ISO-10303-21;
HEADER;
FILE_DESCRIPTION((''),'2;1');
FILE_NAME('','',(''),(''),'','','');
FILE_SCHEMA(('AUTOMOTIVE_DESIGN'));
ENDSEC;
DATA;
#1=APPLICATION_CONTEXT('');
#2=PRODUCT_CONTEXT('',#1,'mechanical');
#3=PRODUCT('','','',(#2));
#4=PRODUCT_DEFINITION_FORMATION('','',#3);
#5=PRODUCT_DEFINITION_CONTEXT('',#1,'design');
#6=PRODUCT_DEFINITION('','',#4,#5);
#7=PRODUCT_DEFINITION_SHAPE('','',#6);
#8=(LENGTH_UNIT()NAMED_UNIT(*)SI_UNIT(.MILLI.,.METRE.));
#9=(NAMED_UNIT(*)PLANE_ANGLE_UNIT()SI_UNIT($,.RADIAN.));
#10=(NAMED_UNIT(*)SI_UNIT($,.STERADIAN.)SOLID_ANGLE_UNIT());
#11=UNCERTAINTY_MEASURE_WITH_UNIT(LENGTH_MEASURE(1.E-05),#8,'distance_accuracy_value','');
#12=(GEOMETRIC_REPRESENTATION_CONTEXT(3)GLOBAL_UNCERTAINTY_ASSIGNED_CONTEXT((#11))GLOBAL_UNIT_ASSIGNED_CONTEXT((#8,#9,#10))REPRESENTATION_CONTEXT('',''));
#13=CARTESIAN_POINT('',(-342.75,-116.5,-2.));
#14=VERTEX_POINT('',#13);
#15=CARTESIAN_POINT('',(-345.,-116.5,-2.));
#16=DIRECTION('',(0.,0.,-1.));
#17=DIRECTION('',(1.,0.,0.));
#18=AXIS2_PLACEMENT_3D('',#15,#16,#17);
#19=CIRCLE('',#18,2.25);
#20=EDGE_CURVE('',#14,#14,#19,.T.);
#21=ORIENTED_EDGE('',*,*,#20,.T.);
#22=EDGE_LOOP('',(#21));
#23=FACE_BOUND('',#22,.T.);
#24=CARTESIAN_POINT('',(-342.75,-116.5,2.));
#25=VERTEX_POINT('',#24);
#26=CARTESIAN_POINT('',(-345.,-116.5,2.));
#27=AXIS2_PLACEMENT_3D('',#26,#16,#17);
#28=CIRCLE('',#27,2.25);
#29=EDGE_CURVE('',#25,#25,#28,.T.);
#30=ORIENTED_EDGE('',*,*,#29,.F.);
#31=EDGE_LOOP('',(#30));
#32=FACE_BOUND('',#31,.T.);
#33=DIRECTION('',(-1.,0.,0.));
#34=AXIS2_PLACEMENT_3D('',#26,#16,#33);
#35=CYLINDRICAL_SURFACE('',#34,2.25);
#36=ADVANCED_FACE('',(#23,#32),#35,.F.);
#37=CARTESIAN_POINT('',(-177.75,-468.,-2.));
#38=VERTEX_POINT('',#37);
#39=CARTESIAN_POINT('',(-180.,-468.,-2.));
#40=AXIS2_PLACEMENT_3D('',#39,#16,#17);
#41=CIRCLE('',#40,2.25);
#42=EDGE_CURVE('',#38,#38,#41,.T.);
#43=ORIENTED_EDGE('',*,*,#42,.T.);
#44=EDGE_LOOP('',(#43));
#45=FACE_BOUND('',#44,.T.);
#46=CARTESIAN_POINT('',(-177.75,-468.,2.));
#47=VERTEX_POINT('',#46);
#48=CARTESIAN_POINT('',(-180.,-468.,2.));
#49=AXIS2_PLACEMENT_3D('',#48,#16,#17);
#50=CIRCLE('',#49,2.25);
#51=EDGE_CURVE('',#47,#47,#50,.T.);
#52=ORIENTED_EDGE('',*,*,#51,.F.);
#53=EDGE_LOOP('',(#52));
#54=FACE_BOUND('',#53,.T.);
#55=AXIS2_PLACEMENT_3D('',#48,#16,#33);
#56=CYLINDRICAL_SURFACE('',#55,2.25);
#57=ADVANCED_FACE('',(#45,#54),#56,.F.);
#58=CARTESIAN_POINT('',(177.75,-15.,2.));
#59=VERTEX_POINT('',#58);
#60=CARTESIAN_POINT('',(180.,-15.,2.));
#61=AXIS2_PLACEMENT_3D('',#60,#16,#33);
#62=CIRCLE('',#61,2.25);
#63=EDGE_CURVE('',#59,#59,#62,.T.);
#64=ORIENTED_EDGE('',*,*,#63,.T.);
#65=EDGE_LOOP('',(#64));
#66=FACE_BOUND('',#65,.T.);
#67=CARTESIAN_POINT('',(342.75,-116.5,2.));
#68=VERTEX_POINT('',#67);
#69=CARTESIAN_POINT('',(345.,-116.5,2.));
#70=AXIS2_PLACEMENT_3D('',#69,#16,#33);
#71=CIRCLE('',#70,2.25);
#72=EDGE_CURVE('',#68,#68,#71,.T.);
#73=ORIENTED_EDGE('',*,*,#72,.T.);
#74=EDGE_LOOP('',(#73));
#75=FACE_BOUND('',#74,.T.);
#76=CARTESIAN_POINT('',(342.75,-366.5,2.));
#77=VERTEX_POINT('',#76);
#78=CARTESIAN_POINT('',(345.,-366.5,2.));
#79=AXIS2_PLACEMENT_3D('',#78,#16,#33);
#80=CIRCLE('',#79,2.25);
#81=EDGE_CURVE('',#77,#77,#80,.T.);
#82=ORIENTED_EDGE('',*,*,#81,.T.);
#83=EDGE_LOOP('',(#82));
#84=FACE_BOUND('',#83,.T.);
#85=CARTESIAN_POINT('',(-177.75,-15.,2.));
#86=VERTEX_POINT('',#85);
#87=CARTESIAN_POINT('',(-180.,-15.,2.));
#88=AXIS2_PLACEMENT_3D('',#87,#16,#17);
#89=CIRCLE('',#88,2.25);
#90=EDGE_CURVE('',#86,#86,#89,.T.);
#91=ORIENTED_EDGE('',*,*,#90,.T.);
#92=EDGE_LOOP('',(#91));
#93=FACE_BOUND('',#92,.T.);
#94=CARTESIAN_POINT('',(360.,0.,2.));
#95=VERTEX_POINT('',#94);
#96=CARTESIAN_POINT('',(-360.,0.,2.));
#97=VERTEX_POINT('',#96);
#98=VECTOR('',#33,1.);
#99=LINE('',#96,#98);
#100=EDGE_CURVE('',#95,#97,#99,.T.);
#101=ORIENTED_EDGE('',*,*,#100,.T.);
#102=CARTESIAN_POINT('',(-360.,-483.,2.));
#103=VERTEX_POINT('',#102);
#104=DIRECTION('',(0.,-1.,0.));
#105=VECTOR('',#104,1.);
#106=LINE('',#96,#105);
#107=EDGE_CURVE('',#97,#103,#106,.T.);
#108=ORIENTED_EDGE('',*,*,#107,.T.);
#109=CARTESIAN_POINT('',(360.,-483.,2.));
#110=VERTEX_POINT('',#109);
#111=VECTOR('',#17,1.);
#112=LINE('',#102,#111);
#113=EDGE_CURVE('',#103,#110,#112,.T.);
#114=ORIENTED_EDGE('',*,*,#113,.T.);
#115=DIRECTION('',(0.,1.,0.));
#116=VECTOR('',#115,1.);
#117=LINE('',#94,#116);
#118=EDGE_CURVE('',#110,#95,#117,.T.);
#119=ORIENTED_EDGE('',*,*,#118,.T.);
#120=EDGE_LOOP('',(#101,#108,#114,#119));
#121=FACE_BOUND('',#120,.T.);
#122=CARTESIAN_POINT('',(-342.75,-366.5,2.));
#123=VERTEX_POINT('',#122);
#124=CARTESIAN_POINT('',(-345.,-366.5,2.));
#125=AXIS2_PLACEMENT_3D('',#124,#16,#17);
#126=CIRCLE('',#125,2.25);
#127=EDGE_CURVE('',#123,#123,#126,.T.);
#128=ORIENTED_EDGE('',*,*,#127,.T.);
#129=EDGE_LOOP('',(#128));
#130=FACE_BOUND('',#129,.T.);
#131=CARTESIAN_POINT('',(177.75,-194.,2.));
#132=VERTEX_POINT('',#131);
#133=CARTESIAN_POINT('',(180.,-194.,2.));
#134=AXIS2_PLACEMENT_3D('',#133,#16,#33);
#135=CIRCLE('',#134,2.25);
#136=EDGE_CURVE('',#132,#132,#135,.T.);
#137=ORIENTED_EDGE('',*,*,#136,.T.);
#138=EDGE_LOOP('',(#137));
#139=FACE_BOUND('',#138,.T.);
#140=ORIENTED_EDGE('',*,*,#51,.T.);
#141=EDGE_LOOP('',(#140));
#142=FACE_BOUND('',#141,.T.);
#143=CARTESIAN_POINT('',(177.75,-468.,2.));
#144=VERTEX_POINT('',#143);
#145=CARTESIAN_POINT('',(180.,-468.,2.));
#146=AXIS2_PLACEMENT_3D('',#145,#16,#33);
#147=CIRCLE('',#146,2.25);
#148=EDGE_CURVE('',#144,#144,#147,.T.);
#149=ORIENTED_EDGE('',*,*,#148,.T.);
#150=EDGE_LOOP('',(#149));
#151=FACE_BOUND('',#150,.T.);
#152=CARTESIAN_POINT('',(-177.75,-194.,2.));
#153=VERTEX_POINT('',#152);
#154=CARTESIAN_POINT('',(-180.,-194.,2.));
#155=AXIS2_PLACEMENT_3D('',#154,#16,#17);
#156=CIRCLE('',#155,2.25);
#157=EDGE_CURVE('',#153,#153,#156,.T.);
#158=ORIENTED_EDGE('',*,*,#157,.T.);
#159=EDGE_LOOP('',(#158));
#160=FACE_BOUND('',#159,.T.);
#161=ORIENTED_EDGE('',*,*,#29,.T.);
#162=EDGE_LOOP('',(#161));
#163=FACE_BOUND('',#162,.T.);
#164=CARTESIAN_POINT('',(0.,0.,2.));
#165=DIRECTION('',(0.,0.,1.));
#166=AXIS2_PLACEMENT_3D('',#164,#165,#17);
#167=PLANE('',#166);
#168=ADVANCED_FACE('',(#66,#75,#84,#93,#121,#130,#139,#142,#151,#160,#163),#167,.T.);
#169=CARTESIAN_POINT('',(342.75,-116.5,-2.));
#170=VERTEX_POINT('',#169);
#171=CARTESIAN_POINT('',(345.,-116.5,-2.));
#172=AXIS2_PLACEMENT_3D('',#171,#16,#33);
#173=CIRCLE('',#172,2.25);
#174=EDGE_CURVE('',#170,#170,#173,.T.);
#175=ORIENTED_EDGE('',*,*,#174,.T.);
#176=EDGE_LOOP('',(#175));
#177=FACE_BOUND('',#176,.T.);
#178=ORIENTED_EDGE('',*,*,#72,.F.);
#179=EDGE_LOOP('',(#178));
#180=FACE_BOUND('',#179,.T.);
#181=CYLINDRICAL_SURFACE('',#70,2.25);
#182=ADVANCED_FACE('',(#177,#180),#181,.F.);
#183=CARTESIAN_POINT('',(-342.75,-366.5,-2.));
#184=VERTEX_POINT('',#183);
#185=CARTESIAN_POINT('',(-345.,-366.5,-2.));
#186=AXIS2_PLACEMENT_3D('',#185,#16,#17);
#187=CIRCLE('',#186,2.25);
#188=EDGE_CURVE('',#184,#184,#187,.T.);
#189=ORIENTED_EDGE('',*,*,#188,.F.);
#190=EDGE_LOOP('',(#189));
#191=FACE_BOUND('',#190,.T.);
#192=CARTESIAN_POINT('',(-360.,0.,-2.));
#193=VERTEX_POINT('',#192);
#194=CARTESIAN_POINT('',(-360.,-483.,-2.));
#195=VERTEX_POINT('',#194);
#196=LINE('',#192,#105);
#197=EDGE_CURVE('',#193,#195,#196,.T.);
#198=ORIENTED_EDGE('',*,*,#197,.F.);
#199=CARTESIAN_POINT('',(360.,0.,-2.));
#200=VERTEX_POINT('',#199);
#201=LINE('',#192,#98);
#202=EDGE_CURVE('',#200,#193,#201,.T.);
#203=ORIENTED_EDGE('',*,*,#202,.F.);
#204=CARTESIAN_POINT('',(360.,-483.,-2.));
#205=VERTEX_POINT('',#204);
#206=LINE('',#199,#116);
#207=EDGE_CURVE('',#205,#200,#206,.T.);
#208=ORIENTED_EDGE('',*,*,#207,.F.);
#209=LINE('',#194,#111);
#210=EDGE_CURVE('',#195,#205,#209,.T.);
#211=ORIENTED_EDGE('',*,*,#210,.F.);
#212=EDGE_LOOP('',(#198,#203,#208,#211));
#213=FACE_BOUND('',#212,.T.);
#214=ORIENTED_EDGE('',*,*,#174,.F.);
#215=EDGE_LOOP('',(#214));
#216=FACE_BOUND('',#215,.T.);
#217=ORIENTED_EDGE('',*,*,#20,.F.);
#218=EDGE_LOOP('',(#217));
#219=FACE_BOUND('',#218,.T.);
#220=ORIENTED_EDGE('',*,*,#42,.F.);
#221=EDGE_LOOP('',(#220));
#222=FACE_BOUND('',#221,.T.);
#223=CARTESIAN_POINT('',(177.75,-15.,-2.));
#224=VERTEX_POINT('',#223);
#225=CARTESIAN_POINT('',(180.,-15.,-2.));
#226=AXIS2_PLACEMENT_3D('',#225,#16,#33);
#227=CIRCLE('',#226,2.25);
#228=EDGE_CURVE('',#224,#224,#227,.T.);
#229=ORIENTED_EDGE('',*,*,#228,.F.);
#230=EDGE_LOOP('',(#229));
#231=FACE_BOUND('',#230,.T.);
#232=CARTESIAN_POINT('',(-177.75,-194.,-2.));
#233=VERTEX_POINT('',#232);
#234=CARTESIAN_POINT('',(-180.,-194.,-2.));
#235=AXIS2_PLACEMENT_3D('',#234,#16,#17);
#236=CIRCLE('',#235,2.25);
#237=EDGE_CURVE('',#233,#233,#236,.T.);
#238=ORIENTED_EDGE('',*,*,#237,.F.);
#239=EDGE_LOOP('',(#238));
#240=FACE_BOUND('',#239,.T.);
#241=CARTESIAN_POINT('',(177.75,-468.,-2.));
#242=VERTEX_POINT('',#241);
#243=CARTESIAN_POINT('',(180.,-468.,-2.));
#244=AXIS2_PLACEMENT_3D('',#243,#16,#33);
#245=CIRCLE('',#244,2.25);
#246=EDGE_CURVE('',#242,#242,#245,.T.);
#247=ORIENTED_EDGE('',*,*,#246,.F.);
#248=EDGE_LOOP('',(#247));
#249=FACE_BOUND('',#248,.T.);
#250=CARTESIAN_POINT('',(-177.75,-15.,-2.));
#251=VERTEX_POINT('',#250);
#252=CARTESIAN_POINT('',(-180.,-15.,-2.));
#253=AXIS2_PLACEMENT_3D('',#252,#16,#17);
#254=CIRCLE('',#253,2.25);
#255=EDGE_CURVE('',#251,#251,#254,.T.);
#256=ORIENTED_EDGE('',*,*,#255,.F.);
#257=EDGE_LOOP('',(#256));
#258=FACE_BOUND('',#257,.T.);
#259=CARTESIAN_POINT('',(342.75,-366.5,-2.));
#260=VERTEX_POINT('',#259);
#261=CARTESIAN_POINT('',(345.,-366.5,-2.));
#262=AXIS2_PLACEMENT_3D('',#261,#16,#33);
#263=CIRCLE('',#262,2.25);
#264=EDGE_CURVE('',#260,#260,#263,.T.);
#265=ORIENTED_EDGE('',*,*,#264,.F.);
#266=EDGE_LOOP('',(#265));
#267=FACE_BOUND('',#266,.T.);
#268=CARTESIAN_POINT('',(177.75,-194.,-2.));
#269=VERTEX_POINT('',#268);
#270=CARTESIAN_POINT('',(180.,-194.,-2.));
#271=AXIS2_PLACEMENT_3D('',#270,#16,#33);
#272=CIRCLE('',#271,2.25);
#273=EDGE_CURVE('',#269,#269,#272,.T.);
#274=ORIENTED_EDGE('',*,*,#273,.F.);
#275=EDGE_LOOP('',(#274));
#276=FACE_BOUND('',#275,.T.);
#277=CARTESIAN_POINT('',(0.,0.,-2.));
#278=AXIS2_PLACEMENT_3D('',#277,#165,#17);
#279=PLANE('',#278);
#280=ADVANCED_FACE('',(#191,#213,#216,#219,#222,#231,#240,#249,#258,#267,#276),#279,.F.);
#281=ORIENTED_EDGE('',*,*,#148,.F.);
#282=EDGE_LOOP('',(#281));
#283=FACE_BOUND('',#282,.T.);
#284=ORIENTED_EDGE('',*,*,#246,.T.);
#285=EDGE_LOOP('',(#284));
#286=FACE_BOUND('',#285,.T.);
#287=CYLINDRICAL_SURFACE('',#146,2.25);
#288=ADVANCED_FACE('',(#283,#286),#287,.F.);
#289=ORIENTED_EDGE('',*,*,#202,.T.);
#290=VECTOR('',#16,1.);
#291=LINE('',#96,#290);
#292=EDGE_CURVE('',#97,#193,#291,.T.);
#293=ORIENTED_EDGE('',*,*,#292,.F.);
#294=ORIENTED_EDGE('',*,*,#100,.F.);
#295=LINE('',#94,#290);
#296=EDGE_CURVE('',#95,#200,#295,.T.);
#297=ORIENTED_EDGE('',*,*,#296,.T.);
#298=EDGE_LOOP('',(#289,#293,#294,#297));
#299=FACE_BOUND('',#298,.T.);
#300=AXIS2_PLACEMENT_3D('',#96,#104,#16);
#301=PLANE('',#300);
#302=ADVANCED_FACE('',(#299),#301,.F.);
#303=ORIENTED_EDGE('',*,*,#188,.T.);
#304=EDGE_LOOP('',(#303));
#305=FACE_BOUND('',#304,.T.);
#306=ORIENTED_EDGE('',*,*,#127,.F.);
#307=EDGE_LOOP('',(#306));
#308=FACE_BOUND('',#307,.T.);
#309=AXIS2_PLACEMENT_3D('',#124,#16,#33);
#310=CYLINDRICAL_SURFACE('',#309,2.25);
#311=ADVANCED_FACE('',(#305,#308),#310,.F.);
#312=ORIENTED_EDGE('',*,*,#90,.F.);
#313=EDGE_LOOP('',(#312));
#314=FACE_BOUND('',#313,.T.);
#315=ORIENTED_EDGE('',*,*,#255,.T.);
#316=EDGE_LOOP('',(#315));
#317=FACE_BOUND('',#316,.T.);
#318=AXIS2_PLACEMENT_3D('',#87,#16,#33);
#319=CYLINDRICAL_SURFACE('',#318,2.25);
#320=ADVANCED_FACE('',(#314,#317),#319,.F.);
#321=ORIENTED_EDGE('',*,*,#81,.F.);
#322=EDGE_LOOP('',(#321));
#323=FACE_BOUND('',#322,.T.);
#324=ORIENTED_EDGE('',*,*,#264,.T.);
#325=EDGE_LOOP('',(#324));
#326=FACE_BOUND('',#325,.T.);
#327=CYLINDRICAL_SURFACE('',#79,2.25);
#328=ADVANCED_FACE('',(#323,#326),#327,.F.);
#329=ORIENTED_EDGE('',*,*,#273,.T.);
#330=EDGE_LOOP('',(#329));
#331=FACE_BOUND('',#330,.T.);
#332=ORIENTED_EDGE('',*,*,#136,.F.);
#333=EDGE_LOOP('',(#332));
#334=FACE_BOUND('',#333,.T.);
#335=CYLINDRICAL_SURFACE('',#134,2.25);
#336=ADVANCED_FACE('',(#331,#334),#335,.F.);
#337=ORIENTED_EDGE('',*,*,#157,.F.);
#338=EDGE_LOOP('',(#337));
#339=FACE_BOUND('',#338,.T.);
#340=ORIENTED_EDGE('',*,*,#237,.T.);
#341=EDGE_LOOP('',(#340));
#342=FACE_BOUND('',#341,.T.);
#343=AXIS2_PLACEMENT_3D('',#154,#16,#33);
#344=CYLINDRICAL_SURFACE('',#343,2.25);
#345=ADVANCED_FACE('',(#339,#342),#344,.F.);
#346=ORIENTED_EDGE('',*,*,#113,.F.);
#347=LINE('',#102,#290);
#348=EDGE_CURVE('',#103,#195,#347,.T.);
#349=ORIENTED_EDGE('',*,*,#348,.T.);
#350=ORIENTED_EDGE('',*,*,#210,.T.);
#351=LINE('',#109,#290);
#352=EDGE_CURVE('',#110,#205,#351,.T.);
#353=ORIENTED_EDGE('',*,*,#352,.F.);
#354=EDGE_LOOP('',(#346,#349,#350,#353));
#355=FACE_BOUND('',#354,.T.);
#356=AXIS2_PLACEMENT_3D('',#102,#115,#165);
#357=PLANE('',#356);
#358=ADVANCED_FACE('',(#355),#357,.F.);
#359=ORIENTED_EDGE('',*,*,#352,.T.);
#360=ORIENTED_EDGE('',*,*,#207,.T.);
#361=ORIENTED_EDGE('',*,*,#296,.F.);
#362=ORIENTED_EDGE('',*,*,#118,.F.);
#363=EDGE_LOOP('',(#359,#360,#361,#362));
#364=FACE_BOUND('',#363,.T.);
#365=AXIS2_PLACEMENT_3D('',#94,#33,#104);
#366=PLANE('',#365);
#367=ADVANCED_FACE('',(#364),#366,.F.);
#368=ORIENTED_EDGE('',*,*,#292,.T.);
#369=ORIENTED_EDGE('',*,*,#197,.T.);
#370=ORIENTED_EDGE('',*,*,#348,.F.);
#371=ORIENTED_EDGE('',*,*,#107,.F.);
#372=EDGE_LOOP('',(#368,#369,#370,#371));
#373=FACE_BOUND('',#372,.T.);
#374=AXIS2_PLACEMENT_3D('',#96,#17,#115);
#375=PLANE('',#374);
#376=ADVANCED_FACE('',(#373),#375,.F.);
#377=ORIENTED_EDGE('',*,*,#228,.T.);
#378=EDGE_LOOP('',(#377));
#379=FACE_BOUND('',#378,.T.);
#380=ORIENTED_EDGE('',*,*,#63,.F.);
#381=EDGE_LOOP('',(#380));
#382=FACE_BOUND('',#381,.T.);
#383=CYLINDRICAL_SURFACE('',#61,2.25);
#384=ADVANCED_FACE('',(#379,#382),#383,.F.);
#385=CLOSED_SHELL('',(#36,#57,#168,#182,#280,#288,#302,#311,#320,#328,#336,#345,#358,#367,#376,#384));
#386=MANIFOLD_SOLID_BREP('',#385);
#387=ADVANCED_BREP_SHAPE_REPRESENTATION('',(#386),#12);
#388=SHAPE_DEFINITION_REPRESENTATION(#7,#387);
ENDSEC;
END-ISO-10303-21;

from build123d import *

# Parameters (mm, degrees)
SKETCH1_W           = 720
SKETCH1_H           = 483
BOSS_EXTRUDE1_DEPTH = 2
SKETCH2_R           = 2.25
CUT_EXTRUDE1_DEPTH  = 603.415969244


with BuildPart() as part:
    # Sketch1 → Boss-Extrude1 (new, symmetric)
    with BuildSketch(Plane.XY):
        with Locations((0, -241.5)):
            Rectangle(SKETCH1_W, SKETCH1_H)
    extrude(amount=BOSS_EXTRUDE1_DEPTH, both=True)

    # Sketch2 → Cut-Extrude1 (cut, through all)
    with BuildSketch(Plane(origin=(0, 0, -2), x_dir=(-1, 0, 0), z_dir=(0, 0, -1))):
        with Locations((-345, -116.5)):
            Circle(SKETCH2_R)
        with Locations((-180, -15)):
            Circle(SKETCH2_R)
        with Locations((-180, -194)):
            Circle(SKETCH2_R)
        with Locations(Location((180, -194, 0), (0, 0, 180))):
            Circle(SKETCH2_R)
        with Locations(Location((345, -116.5, 0), (0, 0, 180))):
            Circle(SKETCH2_R)
        with Locations(Location((180, -15, 0), (0, 0, 180))):
            Circle(SKETCH2_R)
        with Locations((-345, -366.5)):
            Circle(SKETCH2_R)
        with Locations(Location((345, -366.5, 0), (0, 0, 180))):
            Circle(SKETCH2_R)
        with Locations((-180, -468)):
            Circle(SKETCH2_R)
        with Locations(Location((180, -468, 0), (0, 0, 180))):
            Circle(SKETCH2_R)
    extrude(amount=-CUT_EXTRUDE1_DEPTH, mode=Mode.SUBTRACT)


solid = part.part
